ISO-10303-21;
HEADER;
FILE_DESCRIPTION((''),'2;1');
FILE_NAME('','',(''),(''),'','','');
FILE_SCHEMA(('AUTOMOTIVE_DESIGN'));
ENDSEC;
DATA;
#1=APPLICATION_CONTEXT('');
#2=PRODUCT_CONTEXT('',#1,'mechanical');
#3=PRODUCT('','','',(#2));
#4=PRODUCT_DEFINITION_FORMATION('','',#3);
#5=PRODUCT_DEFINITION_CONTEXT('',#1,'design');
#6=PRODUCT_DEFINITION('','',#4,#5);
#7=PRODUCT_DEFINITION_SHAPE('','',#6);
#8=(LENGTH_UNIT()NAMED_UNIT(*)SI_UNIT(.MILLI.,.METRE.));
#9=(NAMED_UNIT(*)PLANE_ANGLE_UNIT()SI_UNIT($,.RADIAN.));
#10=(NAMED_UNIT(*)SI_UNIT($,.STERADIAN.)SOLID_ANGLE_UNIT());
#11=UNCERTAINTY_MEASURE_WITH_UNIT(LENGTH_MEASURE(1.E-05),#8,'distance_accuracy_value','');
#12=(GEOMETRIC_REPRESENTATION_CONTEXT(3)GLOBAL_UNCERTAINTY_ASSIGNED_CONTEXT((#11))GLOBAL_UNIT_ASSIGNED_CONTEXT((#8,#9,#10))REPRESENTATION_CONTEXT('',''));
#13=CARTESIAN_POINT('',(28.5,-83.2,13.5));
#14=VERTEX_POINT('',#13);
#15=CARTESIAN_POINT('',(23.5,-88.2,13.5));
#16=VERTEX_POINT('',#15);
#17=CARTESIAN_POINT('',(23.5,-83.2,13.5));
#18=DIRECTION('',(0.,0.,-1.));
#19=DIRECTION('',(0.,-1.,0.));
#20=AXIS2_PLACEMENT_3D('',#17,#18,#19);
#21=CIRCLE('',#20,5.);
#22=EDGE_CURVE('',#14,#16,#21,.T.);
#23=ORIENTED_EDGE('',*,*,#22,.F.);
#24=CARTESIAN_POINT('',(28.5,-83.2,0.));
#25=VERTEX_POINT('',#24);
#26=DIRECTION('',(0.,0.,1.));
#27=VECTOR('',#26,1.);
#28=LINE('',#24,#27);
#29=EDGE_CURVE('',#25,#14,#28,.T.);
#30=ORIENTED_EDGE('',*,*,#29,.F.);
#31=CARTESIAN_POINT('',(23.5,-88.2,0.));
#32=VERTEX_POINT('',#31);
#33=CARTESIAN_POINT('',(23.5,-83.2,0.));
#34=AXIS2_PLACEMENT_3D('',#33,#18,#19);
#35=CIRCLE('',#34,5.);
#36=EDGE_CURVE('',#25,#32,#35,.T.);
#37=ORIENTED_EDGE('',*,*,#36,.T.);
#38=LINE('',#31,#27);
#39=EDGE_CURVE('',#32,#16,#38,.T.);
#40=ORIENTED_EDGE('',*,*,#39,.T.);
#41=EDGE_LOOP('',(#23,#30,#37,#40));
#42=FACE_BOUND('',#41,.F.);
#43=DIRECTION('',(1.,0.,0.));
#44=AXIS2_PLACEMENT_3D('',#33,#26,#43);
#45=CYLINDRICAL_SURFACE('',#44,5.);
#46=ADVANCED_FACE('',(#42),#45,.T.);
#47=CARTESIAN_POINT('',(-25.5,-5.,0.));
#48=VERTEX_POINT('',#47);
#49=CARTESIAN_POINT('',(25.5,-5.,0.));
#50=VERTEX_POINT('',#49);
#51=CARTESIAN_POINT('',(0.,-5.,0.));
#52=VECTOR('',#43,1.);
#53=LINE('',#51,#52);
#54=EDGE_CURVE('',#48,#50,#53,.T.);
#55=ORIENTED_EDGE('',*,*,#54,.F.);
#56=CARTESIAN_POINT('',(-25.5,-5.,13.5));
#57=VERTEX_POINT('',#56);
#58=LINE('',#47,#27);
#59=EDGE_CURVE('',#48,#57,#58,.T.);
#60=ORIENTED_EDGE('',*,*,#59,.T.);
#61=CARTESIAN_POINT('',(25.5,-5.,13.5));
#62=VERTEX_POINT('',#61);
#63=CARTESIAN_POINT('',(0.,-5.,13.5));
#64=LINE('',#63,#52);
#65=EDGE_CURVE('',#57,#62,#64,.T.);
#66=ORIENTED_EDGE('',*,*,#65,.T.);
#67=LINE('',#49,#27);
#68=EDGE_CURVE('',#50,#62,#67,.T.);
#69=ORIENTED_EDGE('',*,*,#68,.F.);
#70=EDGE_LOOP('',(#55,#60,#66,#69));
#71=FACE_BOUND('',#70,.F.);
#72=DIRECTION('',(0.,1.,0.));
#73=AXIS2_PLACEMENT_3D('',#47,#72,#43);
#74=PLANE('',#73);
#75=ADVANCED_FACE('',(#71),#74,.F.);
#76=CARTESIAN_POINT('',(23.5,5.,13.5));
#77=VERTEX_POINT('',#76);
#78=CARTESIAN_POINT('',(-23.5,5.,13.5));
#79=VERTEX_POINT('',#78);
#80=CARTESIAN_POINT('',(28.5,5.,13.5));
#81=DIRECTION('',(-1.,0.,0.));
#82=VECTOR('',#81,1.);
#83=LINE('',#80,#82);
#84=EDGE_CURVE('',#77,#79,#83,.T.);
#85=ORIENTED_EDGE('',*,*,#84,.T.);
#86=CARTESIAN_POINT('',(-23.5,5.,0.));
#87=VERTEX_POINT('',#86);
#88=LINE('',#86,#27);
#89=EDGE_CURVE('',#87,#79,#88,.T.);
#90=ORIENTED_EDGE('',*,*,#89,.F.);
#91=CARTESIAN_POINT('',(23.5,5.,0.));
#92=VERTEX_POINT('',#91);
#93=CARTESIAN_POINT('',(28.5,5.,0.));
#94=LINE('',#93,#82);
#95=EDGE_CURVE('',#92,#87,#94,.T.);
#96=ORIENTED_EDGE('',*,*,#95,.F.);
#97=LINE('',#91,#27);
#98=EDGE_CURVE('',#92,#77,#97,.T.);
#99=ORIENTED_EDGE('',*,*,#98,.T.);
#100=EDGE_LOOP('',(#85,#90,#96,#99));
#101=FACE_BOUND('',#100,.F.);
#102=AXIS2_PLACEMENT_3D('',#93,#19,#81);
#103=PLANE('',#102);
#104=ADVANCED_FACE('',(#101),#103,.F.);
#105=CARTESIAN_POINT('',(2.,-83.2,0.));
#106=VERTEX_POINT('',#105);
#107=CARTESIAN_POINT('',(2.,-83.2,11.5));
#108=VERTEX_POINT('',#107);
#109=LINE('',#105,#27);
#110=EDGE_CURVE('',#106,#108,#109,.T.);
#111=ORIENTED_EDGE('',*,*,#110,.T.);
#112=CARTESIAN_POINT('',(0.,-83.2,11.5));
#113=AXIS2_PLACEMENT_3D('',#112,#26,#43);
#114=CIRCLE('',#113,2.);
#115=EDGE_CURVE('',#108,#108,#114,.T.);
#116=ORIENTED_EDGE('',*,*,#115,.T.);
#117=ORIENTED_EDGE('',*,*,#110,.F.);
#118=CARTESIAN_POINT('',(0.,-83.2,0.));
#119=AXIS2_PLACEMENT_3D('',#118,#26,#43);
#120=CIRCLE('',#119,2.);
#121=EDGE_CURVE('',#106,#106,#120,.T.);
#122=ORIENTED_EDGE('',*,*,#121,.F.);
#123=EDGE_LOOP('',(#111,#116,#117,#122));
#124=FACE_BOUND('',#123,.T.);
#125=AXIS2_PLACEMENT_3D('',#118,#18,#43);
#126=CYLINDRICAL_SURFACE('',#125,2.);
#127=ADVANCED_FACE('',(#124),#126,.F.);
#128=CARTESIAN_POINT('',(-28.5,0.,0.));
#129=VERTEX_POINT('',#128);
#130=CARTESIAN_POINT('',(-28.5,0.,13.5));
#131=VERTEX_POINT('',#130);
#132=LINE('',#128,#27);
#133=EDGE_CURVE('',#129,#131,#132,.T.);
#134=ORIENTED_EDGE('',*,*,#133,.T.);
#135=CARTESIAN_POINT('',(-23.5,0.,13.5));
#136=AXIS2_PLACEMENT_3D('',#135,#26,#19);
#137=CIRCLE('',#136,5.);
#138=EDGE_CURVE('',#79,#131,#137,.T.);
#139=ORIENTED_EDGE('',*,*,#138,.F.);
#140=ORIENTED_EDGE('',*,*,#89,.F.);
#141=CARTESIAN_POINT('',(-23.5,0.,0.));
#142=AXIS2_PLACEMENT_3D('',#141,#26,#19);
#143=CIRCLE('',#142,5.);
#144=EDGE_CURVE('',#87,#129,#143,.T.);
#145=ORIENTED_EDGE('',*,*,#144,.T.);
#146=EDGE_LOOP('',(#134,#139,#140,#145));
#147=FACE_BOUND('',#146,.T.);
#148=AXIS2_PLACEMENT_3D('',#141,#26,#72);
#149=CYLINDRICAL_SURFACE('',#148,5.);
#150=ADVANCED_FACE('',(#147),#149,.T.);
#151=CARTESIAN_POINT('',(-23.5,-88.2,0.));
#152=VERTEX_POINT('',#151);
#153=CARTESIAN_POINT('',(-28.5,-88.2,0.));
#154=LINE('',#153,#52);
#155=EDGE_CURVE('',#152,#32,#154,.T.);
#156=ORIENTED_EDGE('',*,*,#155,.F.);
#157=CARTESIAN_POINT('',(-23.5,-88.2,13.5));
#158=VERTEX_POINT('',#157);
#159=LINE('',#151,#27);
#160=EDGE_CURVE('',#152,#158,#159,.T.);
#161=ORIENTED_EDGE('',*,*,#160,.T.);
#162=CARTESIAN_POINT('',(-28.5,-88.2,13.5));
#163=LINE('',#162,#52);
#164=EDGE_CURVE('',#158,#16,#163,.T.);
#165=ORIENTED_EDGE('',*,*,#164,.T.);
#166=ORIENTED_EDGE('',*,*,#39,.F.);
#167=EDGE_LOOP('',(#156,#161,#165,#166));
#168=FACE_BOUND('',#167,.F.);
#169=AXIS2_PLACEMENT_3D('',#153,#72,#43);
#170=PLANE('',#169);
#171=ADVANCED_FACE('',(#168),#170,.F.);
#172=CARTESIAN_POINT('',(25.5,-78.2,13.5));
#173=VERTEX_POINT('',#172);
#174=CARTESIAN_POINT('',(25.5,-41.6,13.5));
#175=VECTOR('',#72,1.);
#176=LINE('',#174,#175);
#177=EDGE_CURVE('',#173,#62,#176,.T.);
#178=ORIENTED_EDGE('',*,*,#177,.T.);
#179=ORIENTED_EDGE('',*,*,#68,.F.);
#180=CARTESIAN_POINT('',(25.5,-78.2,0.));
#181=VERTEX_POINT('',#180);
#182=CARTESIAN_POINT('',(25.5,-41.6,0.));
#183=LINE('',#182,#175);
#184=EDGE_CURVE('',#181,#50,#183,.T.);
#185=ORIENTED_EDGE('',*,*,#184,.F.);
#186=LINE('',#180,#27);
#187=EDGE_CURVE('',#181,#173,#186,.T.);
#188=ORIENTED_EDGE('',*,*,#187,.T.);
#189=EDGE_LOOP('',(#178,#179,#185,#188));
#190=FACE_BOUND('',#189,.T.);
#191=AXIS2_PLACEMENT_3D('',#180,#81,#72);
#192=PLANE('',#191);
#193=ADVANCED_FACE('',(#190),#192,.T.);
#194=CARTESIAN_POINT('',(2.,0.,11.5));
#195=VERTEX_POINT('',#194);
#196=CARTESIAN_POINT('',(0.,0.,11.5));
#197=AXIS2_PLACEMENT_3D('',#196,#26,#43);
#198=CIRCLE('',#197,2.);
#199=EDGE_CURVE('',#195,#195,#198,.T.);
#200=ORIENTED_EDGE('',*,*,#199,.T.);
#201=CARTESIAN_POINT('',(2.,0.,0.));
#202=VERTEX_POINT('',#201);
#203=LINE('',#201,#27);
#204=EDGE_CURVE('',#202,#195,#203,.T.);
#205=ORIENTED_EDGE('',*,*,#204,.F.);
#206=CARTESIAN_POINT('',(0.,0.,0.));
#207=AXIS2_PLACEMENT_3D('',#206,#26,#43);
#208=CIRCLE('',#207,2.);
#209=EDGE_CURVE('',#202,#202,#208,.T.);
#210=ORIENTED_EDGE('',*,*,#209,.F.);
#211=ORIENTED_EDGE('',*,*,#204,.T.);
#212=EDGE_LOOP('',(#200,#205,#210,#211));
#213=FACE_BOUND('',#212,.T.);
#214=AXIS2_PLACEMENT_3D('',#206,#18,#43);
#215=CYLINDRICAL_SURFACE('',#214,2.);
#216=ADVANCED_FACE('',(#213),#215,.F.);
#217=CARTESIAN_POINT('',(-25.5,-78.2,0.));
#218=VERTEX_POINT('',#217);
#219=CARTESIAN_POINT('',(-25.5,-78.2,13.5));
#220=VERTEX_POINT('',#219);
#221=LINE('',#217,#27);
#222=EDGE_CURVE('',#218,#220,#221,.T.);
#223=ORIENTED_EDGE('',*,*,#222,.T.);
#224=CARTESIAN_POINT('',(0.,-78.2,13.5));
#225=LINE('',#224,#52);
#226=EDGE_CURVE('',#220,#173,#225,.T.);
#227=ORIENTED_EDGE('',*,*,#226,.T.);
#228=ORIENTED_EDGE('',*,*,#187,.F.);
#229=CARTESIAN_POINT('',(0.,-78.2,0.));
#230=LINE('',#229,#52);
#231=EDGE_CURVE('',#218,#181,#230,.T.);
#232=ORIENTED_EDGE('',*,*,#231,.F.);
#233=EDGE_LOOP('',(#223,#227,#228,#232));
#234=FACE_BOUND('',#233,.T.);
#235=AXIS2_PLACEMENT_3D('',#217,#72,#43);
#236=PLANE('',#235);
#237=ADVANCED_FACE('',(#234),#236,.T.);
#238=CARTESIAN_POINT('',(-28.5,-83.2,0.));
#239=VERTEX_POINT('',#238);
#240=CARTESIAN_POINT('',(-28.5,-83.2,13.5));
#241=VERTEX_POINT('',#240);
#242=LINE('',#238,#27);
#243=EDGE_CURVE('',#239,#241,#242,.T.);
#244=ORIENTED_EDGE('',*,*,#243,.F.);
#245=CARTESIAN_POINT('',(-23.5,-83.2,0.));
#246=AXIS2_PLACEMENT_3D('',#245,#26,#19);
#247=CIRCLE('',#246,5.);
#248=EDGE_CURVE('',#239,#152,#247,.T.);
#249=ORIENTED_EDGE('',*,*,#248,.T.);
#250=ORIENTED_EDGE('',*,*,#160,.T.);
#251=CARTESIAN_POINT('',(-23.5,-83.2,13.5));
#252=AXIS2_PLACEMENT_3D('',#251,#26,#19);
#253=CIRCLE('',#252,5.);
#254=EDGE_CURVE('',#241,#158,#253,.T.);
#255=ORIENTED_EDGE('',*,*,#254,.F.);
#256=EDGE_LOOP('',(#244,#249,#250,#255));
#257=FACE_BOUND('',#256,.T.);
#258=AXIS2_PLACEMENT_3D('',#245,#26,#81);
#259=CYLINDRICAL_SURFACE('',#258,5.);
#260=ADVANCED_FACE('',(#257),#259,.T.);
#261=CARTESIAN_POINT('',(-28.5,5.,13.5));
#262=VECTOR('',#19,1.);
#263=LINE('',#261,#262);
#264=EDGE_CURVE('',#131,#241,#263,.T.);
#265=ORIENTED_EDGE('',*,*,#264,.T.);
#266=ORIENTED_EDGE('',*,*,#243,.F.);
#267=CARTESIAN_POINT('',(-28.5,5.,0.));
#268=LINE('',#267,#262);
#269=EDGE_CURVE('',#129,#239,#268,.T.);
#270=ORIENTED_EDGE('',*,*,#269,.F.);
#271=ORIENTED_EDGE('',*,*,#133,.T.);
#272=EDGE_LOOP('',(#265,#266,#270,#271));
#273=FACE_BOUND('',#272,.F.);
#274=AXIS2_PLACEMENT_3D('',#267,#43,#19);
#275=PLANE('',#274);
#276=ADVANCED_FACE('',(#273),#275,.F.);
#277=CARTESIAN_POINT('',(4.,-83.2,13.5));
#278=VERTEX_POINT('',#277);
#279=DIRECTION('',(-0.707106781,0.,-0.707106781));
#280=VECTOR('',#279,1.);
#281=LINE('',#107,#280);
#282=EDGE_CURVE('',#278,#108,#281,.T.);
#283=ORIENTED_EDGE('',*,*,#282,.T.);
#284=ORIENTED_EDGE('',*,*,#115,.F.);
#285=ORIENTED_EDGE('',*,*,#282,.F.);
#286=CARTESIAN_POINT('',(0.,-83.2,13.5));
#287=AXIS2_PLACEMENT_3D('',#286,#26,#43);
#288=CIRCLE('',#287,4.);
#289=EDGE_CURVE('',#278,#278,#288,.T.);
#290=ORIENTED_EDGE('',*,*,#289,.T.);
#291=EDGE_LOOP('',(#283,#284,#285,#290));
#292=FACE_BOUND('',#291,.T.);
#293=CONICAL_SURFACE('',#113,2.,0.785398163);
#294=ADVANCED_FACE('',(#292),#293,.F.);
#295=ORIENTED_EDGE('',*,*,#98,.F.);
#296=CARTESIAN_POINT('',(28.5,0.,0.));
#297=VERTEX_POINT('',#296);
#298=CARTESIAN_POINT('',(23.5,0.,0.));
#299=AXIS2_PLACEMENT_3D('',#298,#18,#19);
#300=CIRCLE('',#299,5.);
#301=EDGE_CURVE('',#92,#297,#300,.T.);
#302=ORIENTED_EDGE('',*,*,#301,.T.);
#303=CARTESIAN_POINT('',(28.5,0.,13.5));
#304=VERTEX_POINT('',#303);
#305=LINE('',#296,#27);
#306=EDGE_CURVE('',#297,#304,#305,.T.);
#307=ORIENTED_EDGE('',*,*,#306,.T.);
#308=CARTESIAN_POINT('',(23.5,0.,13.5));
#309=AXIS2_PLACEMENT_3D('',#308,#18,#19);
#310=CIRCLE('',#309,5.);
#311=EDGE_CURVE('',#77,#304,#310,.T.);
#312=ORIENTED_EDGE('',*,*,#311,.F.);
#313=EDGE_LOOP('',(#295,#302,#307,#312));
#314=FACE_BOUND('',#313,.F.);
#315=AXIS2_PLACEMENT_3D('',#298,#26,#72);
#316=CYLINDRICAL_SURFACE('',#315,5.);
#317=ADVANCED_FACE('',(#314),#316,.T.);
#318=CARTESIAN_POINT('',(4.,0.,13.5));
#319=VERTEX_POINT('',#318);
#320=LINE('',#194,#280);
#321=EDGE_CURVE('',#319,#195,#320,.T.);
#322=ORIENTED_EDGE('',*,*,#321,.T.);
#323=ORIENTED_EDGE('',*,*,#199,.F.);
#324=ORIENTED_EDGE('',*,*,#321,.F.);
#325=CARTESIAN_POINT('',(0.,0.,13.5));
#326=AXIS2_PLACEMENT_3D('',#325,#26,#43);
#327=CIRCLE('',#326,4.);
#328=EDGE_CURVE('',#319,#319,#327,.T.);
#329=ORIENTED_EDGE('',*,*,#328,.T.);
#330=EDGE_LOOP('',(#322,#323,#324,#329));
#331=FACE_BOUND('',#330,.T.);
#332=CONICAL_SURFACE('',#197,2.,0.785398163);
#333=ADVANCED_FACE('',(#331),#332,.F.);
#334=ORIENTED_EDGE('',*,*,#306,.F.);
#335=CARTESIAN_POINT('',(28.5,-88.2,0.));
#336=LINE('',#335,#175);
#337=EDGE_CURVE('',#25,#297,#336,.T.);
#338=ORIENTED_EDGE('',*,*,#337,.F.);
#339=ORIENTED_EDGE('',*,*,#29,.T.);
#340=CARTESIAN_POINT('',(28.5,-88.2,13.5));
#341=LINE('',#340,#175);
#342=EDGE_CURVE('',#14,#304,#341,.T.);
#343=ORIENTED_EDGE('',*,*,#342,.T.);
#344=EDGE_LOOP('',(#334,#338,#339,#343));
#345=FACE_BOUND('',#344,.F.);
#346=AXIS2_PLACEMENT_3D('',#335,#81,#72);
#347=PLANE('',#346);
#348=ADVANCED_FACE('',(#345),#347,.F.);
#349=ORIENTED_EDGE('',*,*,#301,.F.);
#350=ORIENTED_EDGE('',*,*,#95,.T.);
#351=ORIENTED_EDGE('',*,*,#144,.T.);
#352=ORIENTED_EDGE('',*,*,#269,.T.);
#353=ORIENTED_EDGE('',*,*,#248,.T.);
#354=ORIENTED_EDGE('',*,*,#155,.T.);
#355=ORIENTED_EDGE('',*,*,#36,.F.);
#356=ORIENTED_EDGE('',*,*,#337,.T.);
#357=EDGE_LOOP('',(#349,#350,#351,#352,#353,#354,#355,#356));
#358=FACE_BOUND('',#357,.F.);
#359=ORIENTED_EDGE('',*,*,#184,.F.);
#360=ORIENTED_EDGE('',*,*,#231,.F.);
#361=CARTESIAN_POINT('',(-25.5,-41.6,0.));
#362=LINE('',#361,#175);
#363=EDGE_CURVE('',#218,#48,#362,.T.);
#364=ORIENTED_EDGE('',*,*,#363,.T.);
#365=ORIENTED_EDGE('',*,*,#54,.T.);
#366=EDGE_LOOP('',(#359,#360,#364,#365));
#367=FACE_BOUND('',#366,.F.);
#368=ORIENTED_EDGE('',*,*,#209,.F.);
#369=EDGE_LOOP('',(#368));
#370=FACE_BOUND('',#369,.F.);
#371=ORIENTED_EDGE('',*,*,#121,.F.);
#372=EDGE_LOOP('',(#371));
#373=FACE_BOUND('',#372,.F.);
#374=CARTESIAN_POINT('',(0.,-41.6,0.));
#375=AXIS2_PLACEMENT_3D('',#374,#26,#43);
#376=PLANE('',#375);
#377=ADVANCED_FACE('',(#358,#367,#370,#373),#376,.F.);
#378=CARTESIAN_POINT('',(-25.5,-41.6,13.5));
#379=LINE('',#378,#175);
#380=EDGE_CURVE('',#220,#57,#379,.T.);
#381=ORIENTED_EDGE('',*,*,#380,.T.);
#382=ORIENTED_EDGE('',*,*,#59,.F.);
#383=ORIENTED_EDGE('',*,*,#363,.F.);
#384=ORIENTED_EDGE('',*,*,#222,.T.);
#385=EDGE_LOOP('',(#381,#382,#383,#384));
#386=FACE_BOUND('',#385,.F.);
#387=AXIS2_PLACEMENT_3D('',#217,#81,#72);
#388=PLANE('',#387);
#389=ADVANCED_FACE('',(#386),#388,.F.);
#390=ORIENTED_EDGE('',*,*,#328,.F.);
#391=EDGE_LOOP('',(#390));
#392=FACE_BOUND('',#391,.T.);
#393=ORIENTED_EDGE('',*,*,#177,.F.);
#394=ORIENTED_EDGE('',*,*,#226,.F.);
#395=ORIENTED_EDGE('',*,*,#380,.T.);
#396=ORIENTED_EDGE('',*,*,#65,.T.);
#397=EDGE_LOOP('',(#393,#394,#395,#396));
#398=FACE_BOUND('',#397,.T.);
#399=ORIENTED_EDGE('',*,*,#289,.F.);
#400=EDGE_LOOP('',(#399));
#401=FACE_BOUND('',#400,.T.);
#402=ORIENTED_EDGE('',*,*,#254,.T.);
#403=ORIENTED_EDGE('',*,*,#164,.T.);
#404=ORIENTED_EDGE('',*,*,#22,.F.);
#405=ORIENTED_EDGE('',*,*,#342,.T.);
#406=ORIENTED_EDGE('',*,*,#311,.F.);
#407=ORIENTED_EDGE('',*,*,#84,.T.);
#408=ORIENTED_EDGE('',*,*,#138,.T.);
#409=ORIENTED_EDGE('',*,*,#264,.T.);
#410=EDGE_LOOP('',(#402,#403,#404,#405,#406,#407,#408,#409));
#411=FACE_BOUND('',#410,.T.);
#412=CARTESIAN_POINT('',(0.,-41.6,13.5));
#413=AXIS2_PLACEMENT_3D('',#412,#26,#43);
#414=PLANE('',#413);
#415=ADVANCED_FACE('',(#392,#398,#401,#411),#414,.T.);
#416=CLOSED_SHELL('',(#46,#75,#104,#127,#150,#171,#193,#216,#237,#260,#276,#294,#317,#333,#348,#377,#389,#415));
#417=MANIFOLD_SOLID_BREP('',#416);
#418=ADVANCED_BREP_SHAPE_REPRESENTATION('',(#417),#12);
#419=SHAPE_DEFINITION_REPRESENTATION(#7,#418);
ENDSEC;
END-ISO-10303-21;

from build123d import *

# Parameters (mm, degrees)
F0_R     = 2
F0_W     = 51
F0_H     = 73.2
F1_DEPTH = 13.5
F2_R     = 5
F3_SIZE  = 2


with BuildPart() as f1:
    # F0 (on Top) → F1 (new body)
    with BuildSketch(Plane.XY):
        Polygon((28.5, -5), (28.5, 5), (-28.5, 5), (-28.5, -5), (-28.5, -78.2), (-28.5, -88.2), (28.5, -88.2), (28.5, -78.2), align=None)
        with Locations((0, -83.2)):
            Circle(F0_R, mode=Mode.SUBTRACT)
        with Locations((0, -41.6)):
            Rectangle(F0_W, F0_H, mode=Mode.SUBTRACT)
        Circle(F0_R, mode=Mode.SUBTRACT)
    extrude(amount=F1_DEPTH)

    # F2
    f2_edges = [f1.edges().sort_by_distance(p)[0] for p in [
        (-28.5, 5, 6.75),
        (28.5, 5, 6.75),
        (-28.5, -88.2, 6.75),
        (28.5, -88.2, 6.75),
    ]]
    fillet(f2_edges, radius=F2_R)

    # F3
    f3_edges = [f1.edges().sort_by_distance(p)[0] for p in [
        (-2, 0, 13.5),
        (-2, -83.2, 13.5),
    ]]
    chamfer(f3_edges, length=F3_SIZE)


solid = f1.part
